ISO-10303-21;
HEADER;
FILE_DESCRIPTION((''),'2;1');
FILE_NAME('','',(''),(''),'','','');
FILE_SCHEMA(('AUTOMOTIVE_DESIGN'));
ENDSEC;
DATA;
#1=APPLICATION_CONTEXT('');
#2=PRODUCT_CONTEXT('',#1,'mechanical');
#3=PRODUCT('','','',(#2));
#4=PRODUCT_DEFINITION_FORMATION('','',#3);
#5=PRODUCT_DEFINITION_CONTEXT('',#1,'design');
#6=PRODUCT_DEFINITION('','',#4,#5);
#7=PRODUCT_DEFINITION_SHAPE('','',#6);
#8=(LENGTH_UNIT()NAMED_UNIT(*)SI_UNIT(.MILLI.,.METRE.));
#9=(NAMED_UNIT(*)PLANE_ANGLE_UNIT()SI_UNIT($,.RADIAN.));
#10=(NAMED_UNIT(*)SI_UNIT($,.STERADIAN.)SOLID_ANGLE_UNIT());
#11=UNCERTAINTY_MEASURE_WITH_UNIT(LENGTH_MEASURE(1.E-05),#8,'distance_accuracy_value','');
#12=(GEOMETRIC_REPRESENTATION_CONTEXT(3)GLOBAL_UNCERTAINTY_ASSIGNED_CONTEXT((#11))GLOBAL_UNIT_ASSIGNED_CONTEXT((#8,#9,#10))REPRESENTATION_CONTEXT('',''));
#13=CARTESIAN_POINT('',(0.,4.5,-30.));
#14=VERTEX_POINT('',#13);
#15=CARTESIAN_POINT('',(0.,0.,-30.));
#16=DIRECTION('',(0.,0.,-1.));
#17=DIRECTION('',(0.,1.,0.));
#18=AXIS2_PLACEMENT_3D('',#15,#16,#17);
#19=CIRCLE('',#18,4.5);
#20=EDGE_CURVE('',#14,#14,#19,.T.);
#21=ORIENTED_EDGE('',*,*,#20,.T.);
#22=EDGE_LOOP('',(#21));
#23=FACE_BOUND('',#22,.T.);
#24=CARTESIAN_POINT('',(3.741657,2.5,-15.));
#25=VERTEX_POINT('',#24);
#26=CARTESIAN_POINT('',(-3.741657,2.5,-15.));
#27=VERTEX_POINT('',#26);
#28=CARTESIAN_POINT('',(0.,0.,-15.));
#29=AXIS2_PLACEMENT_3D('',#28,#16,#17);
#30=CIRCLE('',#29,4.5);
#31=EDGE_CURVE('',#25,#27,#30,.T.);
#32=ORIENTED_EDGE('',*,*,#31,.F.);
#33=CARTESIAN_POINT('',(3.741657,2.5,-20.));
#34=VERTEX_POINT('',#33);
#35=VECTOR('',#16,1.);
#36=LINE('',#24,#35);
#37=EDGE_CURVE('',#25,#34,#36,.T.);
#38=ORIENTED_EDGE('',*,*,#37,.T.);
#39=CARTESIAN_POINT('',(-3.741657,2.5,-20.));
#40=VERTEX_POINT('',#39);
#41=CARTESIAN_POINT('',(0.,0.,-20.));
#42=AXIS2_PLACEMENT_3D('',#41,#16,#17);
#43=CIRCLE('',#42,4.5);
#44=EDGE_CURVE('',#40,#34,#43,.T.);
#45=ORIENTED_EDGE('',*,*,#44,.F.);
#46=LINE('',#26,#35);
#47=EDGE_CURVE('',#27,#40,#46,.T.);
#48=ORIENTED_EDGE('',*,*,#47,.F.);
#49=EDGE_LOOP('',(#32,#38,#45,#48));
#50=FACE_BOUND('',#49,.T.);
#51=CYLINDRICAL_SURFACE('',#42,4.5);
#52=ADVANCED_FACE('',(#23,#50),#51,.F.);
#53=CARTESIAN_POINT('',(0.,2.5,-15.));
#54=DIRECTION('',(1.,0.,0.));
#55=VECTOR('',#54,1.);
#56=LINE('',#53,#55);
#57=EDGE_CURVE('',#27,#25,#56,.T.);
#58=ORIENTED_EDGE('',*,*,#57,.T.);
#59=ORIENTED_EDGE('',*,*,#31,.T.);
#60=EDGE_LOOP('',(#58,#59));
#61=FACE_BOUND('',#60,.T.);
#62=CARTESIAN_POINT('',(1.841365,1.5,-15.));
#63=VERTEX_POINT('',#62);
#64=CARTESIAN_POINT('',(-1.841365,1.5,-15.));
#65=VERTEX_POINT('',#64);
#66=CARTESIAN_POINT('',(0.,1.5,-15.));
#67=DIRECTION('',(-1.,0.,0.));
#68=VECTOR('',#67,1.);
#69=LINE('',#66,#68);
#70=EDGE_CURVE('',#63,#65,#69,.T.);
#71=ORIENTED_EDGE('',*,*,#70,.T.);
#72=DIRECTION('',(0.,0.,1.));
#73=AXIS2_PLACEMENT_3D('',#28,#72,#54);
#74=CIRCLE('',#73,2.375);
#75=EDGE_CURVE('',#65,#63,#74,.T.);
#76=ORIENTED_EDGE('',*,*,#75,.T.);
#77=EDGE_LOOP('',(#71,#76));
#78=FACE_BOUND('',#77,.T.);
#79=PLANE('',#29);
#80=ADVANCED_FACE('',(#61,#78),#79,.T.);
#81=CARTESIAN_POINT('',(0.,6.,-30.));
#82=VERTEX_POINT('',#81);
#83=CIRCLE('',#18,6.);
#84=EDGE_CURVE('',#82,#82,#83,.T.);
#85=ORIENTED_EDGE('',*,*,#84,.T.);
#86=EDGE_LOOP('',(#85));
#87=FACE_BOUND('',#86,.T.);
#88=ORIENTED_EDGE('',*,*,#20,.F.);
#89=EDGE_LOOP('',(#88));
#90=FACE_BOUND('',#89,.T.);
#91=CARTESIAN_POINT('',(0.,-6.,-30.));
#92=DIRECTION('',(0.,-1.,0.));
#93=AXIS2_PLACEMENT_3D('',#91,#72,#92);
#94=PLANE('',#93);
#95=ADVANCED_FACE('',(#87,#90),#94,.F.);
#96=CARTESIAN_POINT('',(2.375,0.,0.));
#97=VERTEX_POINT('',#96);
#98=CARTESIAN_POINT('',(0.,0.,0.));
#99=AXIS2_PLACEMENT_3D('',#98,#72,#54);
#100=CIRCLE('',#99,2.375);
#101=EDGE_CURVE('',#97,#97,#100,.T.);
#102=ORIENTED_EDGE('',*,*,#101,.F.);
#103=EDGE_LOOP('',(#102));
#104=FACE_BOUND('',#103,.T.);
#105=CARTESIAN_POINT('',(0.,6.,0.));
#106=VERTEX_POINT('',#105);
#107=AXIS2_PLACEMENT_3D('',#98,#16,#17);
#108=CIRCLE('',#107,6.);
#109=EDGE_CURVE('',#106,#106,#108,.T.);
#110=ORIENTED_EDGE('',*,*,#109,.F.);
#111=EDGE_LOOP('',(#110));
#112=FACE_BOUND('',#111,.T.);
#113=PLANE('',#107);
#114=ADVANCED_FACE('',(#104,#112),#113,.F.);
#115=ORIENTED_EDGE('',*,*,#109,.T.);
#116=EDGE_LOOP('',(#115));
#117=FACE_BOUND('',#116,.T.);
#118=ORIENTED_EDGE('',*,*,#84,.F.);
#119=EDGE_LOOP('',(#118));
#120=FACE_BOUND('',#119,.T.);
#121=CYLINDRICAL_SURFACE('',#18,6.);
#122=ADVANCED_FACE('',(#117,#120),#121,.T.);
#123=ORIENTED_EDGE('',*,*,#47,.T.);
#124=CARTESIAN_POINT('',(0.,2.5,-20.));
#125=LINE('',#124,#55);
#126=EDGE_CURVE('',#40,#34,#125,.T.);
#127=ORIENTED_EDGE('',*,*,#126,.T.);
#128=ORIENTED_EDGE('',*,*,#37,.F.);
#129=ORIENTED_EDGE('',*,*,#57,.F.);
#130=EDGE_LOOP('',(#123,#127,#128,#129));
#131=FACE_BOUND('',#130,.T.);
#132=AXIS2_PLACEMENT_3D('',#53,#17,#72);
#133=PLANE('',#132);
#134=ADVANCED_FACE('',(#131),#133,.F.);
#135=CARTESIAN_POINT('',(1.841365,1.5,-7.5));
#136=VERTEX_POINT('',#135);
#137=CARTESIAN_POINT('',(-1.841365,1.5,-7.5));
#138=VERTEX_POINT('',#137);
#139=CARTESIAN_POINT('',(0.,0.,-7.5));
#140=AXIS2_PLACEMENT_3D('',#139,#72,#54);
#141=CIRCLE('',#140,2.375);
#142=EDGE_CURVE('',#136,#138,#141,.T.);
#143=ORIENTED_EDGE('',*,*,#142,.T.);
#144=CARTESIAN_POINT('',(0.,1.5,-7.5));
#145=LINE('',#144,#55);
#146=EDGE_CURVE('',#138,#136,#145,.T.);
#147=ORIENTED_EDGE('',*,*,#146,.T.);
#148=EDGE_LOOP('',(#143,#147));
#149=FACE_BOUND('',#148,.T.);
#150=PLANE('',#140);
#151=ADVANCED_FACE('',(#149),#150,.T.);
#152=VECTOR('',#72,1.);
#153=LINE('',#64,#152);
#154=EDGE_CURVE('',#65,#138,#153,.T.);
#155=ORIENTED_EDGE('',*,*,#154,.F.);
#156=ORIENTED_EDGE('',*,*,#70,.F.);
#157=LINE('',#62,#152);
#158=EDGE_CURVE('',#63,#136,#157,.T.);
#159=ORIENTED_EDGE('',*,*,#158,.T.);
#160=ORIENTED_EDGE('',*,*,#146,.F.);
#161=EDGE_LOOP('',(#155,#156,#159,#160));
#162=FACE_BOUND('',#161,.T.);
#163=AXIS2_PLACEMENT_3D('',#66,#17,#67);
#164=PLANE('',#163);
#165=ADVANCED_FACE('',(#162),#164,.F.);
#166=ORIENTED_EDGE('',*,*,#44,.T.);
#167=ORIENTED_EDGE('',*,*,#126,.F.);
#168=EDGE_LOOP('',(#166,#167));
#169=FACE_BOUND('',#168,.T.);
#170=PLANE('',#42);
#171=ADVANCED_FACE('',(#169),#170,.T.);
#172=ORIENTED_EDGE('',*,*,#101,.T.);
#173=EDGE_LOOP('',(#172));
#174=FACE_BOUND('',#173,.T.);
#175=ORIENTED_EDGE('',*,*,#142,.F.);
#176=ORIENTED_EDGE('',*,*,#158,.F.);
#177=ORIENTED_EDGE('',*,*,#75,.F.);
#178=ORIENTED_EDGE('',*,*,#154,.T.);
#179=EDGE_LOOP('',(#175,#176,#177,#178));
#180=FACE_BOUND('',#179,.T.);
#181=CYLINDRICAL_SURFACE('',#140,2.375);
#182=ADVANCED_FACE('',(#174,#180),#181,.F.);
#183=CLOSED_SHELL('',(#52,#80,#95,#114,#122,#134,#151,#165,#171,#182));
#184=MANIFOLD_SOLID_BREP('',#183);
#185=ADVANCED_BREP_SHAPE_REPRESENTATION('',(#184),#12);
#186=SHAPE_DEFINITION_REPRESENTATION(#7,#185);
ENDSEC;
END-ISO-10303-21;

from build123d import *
from build123d.topology import SkipClean

# Parameters (mm, degrees)
ESQUISSE1_W             = 30
ESQUISSE1_H             = 6
ENL_V_MAT_EXTRU_4_DEPTH = 7.5
ENL_V_MAT_EXTRU_5_DEPTH = 15
ESQUISSE3_R             = 4.5
ENL_V_MAT_EXTRU_6_DEPTH = 10
ENL_V_MAT_EXTRU_9_DEPTH = 5


with BuildPart() as part:
    # Esquisse1 → Révolution1 (revolve)
    with BuildSketch(Plane(origin=(0, 0, 0), x_dir=(0, 0, -1), z_dir=(1, 0, 0)), mode=Mode.PRIVATE) as r_volution1_sk:
        with Locations((15, -3)):
            Rectangle(ESQUISSE1_W, ESQUISSE1_H)
    revolve(r_volution1_sk.sketch.rotate(Axis((0, 0, -30), (0, 0, 1)), 180), axis=Axis((0, 0, -30), (0, 0, 1)))

    # Esquisse2 → Enlèv. mat.-Extru.4 (cut)
    with BuildSketch(Plane.XY):
        with BuildLine():
            Line((-1.841364983, 1.5), (0, 1.5))
            Line((0, 1.5), (1.841364983, 1.5))
            ThreePointArc((1.841364983, 1.5), (0, 2.375), (-1.841364983, 1.5))
        make_face()
    extrude(amount=-ENL_V_MAT_EXTRU_4_DEPTH, mode=Mode.SUBTRACT)

    # Esquisse5 → Enlèv. mat.-Extru.5 (cut)
    with SkipClean():  # the faces are left unmerged after this step: merging them gives an invalid solid
        with BuildSketch(Plane.XY):
            with BuildLine():
                Line((-1.841364983, 1.5), (1.841364983, 1.5))
                ThreePointArc((1.841364983, 1.5), (0, -2.375), (-1.841364983, 1.5))
            make_face()
        extrude(amount=-ENL_V_MAT_EXTRU_5_DEPTH, mode=Mode.SUBTRACT)

    # Esquisse3 → Enlèv. mat.-Extru.6 (cut)
    with SkipClean():  # the faces are left unmerged after this step: merging them gives an invalid solid
        with BuildSketch(Plane(origin=(0, 0, -30), x_dir=(-1, 0, 0), z_dir=(0, 0, -1))):
            with Locations(Location((0, 0, 0), (0, 0, 90))):
                Circle(ESQUISSE3_R)
        extrude(amount=-ENL_V_MAT_EXTRU_6_DEPTH, mode=Mode.SUBTRACT)

    # Esquisse7 → Enlèv. mat.-Extru.9 (cut)
    with SkipClean():  # the faces are left unmerged after this step: merging them gives an invalid solid
        with BuildSketch(Plane(origin=(0, 0, -20), x_dir=(-1, 0, 0), z_dir=(0, 0, -1))):
            with BuildLine():
                Line((0, 2.5), (3.741657387, 2.5))
                ThreePointArc((3.741657387, 2.5), (0, -4.5), (-3.741657387, 2.5))
                Line((-3.741657387, 2.5), (0, 2.5))
            make_face()
        extrude(amount=-ENL_V_MAT_EXTRU_9_DEPTH, mode=Mode.SUBTRACT)


solid = part.part
